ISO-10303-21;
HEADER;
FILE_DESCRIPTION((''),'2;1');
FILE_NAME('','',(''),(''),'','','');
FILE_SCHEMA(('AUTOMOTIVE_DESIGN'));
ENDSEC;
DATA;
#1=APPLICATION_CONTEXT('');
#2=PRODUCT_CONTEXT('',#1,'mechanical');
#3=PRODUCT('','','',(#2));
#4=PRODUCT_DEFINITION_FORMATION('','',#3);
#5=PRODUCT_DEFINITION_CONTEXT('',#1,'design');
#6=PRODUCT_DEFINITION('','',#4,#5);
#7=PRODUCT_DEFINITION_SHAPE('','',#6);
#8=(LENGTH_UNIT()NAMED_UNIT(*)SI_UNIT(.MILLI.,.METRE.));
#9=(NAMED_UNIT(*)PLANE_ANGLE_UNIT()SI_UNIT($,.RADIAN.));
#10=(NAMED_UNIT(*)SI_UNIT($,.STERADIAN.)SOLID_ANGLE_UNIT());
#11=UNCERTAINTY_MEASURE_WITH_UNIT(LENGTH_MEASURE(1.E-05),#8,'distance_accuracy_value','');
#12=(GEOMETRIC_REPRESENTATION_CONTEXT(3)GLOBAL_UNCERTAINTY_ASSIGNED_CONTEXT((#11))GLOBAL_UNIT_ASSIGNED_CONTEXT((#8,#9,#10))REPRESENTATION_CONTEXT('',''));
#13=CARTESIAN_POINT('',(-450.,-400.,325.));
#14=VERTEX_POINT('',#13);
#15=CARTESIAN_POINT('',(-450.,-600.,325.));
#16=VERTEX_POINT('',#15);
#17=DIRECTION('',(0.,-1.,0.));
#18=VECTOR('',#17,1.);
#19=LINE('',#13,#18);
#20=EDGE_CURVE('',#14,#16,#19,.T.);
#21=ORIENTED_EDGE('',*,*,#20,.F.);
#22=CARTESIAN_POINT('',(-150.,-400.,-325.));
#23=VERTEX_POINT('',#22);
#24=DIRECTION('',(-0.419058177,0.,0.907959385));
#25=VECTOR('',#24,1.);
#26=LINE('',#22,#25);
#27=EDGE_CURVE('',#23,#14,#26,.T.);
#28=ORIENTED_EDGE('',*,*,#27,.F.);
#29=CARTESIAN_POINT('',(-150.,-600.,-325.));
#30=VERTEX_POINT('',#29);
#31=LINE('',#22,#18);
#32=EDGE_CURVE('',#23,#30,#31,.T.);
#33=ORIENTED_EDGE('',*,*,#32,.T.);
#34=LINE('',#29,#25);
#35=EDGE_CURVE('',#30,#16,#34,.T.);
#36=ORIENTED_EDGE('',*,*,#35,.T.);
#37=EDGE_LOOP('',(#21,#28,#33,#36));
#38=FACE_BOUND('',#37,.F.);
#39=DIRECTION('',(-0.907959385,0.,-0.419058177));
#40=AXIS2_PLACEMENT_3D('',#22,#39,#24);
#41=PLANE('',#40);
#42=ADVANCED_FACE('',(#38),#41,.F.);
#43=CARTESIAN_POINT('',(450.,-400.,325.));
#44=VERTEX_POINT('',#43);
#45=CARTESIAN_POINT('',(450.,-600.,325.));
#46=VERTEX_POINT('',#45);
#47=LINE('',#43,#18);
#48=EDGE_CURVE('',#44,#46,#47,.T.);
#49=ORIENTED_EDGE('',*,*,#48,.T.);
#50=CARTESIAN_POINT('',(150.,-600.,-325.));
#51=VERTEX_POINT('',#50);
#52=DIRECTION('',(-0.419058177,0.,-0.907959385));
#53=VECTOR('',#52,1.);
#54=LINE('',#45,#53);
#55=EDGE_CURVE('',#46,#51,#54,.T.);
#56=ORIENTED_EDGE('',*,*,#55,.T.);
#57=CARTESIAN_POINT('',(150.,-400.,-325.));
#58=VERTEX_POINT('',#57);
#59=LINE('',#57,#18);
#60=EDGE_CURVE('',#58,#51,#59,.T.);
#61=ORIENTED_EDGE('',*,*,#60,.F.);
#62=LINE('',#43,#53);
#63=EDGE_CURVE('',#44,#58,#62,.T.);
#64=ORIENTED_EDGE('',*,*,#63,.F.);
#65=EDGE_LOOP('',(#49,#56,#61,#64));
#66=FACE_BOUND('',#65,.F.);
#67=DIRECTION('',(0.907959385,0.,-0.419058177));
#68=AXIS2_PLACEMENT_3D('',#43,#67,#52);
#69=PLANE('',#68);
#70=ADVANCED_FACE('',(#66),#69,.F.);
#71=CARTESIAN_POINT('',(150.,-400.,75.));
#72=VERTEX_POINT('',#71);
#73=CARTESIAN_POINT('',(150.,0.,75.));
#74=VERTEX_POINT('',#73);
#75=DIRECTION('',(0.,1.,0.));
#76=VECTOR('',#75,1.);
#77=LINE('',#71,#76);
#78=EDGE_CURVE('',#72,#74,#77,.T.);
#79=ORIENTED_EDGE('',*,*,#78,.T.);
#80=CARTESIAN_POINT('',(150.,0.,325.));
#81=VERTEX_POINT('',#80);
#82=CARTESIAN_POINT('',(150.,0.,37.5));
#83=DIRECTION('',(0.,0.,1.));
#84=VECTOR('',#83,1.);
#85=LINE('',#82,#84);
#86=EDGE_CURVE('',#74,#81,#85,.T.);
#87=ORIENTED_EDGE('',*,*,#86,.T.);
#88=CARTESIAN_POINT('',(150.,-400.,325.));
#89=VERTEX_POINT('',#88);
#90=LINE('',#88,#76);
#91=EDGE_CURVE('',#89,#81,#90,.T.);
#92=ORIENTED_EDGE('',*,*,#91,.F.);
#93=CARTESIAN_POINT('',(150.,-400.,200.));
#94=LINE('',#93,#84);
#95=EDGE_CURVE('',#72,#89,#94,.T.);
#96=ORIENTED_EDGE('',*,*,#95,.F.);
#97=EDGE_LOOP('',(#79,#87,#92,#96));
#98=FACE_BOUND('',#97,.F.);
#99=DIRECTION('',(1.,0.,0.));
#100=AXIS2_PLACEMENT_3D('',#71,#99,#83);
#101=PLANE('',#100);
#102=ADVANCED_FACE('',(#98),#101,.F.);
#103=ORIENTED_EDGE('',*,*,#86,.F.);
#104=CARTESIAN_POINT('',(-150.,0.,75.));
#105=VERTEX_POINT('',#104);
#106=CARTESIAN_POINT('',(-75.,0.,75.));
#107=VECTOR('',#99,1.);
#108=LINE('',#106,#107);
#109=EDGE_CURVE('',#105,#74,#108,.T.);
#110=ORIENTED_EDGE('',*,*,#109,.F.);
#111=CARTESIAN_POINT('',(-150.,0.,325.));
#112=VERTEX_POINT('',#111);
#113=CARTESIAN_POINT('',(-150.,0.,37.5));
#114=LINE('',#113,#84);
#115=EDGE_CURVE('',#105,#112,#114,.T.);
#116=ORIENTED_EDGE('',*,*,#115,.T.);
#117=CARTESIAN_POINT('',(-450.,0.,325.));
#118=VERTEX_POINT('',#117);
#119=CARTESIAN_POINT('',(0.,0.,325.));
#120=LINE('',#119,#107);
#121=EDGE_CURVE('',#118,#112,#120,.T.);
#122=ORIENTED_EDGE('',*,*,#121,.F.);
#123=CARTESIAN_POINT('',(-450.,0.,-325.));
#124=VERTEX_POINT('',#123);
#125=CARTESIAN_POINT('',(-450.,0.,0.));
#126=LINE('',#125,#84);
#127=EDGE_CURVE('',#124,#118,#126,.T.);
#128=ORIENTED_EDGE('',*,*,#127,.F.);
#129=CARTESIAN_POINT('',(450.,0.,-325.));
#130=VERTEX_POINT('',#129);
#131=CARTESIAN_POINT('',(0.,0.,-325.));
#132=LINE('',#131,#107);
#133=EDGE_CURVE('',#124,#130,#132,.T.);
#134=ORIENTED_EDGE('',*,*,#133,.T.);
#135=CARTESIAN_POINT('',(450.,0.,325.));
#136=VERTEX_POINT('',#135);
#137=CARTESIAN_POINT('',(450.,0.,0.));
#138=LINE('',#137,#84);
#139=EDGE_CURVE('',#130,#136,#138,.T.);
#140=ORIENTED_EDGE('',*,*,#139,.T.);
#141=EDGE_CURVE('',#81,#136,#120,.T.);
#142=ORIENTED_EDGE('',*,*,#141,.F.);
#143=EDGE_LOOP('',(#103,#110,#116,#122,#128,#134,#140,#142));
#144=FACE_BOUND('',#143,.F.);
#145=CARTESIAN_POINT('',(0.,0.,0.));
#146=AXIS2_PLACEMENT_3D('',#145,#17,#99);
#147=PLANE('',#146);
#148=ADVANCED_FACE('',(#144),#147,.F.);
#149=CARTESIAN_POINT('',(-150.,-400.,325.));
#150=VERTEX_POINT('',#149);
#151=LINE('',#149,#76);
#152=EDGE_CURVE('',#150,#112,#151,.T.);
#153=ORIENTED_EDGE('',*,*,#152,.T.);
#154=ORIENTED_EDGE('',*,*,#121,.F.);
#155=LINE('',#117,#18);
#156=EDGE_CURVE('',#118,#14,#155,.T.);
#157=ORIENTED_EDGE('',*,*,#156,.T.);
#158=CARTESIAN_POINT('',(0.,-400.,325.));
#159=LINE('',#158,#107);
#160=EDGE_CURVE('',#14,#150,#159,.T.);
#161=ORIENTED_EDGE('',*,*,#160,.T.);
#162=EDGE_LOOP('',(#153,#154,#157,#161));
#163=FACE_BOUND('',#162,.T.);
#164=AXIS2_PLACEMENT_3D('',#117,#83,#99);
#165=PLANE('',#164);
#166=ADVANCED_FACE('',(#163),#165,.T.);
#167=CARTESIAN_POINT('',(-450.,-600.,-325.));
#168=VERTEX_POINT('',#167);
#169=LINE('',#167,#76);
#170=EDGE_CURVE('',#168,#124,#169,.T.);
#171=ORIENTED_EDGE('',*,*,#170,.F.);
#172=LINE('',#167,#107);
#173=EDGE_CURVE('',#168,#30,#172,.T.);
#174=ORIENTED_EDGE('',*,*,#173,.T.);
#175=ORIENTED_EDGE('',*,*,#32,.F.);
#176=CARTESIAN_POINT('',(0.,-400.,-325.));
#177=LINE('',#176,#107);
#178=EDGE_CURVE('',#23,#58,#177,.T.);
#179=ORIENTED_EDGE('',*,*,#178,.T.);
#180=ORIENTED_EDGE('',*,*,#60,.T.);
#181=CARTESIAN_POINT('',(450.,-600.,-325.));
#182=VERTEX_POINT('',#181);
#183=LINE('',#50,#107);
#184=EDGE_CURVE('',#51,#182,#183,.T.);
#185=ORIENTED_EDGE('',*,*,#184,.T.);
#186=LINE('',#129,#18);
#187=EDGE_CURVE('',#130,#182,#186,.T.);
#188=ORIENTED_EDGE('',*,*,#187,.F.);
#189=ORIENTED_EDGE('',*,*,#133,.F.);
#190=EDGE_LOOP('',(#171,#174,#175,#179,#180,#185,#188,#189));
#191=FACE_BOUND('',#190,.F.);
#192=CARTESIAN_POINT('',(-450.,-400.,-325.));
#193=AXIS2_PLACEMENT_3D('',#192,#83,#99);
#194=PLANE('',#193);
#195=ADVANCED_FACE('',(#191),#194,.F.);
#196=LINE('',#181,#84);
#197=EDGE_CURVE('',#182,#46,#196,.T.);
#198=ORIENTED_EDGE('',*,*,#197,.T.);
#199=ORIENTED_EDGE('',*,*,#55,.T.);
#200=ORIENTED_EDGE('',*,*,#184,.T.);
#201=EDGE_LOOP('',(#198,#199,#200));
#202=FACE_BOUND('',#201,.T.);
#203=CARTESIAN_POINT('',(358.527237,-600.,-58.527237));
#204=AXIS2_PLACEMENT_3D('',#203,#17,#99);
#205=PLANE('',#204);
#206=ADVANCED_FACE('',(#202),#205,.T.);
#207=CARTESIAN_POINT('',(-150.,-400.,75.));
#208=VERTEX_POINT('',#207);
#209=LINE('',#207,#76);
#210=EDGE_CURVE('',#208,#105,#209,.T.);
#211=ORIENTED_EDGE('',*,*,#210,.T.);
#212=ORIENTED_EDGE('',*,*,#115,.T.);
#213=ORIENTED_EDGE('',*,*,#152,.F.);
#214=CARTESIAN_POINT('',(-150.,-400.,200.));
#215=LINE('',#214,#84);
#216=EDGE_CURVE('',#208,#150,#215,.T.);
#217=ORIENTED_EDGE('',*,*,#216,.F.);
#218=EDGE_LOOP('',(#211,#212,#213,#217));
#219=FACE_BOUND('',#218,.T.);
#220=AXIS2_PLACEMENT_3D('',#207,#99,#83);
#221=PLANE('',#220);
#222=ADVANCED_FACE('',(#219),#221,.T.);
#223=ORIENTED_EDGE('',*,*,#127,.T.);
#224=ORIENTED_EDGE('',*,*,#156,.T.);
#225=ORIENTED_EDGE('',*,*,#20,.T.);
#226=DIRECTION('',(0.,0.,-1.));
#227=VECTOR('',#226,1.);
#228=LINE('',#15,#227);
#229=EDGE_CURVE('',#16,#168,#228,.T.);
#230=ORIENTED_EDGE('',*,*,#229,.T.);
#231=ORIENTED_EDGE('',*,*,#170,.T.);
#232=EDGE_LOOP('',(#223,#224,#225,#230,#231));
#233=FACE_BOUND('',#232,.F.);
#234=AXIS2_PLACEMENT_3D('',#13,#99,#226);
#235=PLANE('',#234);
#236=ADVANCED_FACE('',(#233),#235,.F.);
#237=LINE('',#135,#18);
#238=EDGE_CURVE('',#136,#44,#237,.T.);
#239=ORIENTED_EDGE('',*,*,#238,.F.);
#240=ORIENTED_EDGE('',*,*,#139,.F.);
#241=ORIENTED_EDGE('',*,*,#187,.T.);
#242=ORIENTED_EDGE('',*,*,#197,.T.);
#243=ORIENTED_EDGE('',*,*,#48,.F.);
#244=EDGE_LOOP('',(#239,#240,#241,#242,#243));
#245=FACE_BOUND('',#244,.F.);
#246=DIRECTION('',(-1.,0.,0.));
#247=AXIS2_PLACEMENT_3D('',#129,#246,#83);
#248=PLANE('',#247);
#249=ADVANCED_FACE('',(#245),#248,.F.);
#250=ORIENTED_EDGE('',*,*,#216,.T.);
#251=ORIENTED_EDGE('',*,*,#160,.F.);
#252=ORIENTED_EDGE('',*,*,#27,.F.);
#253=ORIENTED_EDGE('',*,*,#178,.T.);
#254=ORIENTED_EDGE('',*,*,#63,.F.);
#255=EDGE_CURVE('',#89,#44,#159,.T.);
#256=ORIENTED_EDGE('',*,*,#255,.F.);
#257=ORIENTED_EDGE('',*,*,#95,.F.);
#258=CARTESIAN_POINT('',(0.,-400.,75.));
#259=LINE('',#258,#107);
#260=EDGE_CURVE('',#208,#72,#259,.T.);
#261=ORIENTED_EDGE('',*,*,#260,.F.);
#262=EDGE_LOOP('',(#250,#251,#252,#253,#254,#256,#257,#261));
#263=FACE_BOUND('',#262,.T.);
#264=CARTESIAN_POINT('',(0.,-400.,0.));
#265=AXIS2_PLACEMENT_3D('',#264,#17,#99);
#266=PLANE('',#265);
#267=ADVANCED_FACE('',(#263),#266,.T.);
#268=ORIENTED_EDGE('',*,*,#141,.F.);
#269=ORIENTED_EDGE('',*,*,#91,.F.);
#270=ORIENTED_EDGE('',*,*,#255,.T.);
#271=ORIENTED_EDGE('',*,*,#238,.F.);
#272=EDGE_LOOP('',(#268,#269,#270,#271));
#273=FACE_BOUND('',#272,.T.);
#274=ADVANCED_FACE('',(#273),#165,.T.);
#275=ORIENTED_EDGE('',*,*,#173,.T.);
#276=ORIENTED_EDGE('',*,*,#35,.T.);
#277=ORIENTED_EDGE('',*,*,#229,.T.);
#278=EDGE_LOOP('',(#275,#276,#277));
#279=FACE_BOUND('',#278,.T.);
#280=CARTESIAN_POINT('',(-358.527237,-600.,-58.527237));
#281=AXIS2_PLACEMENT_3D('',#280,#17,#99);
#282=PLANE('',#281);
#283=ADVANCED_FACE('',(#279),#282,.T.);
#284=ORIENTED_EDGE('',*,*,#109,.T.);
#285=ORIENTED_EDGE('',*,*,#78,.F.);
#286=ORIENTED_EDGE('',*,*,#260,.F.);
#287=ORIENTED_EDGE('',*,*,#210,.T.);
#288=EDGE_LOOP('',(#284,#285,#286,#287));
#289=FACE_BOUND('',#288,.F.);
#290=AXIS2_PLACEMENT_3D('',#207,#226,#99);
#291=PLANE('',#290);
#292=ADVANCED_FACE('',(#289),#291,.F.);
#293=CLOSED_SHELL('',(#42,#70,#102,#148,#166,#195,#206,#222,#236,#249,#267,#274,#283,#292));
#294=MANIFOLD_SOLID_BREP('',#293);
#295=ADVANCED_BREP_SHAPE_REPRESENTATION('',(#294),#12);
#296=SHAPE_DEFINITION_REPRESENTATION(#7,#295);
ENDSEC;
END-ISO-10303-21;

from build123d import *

# Parameters (mm, degrees)
F0_W     = 900
F0_H     = 650
F1_DEPTH = 400
F2_W     = 300
F2_H     = 250
F3_DEPTH = 400.001
F5_DEPTH = 200


with BuildPart() as f1:
    # F0 (on Front) → F1 (new body)
    with BuildSketch(Plane.XZ):
        Rectangle(F0_W, F0_H)
    extrude(amount=F1_DEPTH)

    # F2 (on face) → F3 (cut, through all)
    with BuildSketch(Plane.XZ.offset(400)):
        with Locations((0, 200)):
            Rectangle(F2_W, F2_H)
    extrude(amount=-F3_DEPTH, mode=Mode.SUBTRACT)

    # F4 (on face) → F5 (join)
    with BuildSketch(Plane.XZ.offset(400)):
        Polygon((-150, -325), (-450, 325), (-450, -325), align=None)
        Polygon((450, -325), (450, 325), (150, -325), align=None)
    extrude(amount=F5_DEPTH)


solid = f1.part
